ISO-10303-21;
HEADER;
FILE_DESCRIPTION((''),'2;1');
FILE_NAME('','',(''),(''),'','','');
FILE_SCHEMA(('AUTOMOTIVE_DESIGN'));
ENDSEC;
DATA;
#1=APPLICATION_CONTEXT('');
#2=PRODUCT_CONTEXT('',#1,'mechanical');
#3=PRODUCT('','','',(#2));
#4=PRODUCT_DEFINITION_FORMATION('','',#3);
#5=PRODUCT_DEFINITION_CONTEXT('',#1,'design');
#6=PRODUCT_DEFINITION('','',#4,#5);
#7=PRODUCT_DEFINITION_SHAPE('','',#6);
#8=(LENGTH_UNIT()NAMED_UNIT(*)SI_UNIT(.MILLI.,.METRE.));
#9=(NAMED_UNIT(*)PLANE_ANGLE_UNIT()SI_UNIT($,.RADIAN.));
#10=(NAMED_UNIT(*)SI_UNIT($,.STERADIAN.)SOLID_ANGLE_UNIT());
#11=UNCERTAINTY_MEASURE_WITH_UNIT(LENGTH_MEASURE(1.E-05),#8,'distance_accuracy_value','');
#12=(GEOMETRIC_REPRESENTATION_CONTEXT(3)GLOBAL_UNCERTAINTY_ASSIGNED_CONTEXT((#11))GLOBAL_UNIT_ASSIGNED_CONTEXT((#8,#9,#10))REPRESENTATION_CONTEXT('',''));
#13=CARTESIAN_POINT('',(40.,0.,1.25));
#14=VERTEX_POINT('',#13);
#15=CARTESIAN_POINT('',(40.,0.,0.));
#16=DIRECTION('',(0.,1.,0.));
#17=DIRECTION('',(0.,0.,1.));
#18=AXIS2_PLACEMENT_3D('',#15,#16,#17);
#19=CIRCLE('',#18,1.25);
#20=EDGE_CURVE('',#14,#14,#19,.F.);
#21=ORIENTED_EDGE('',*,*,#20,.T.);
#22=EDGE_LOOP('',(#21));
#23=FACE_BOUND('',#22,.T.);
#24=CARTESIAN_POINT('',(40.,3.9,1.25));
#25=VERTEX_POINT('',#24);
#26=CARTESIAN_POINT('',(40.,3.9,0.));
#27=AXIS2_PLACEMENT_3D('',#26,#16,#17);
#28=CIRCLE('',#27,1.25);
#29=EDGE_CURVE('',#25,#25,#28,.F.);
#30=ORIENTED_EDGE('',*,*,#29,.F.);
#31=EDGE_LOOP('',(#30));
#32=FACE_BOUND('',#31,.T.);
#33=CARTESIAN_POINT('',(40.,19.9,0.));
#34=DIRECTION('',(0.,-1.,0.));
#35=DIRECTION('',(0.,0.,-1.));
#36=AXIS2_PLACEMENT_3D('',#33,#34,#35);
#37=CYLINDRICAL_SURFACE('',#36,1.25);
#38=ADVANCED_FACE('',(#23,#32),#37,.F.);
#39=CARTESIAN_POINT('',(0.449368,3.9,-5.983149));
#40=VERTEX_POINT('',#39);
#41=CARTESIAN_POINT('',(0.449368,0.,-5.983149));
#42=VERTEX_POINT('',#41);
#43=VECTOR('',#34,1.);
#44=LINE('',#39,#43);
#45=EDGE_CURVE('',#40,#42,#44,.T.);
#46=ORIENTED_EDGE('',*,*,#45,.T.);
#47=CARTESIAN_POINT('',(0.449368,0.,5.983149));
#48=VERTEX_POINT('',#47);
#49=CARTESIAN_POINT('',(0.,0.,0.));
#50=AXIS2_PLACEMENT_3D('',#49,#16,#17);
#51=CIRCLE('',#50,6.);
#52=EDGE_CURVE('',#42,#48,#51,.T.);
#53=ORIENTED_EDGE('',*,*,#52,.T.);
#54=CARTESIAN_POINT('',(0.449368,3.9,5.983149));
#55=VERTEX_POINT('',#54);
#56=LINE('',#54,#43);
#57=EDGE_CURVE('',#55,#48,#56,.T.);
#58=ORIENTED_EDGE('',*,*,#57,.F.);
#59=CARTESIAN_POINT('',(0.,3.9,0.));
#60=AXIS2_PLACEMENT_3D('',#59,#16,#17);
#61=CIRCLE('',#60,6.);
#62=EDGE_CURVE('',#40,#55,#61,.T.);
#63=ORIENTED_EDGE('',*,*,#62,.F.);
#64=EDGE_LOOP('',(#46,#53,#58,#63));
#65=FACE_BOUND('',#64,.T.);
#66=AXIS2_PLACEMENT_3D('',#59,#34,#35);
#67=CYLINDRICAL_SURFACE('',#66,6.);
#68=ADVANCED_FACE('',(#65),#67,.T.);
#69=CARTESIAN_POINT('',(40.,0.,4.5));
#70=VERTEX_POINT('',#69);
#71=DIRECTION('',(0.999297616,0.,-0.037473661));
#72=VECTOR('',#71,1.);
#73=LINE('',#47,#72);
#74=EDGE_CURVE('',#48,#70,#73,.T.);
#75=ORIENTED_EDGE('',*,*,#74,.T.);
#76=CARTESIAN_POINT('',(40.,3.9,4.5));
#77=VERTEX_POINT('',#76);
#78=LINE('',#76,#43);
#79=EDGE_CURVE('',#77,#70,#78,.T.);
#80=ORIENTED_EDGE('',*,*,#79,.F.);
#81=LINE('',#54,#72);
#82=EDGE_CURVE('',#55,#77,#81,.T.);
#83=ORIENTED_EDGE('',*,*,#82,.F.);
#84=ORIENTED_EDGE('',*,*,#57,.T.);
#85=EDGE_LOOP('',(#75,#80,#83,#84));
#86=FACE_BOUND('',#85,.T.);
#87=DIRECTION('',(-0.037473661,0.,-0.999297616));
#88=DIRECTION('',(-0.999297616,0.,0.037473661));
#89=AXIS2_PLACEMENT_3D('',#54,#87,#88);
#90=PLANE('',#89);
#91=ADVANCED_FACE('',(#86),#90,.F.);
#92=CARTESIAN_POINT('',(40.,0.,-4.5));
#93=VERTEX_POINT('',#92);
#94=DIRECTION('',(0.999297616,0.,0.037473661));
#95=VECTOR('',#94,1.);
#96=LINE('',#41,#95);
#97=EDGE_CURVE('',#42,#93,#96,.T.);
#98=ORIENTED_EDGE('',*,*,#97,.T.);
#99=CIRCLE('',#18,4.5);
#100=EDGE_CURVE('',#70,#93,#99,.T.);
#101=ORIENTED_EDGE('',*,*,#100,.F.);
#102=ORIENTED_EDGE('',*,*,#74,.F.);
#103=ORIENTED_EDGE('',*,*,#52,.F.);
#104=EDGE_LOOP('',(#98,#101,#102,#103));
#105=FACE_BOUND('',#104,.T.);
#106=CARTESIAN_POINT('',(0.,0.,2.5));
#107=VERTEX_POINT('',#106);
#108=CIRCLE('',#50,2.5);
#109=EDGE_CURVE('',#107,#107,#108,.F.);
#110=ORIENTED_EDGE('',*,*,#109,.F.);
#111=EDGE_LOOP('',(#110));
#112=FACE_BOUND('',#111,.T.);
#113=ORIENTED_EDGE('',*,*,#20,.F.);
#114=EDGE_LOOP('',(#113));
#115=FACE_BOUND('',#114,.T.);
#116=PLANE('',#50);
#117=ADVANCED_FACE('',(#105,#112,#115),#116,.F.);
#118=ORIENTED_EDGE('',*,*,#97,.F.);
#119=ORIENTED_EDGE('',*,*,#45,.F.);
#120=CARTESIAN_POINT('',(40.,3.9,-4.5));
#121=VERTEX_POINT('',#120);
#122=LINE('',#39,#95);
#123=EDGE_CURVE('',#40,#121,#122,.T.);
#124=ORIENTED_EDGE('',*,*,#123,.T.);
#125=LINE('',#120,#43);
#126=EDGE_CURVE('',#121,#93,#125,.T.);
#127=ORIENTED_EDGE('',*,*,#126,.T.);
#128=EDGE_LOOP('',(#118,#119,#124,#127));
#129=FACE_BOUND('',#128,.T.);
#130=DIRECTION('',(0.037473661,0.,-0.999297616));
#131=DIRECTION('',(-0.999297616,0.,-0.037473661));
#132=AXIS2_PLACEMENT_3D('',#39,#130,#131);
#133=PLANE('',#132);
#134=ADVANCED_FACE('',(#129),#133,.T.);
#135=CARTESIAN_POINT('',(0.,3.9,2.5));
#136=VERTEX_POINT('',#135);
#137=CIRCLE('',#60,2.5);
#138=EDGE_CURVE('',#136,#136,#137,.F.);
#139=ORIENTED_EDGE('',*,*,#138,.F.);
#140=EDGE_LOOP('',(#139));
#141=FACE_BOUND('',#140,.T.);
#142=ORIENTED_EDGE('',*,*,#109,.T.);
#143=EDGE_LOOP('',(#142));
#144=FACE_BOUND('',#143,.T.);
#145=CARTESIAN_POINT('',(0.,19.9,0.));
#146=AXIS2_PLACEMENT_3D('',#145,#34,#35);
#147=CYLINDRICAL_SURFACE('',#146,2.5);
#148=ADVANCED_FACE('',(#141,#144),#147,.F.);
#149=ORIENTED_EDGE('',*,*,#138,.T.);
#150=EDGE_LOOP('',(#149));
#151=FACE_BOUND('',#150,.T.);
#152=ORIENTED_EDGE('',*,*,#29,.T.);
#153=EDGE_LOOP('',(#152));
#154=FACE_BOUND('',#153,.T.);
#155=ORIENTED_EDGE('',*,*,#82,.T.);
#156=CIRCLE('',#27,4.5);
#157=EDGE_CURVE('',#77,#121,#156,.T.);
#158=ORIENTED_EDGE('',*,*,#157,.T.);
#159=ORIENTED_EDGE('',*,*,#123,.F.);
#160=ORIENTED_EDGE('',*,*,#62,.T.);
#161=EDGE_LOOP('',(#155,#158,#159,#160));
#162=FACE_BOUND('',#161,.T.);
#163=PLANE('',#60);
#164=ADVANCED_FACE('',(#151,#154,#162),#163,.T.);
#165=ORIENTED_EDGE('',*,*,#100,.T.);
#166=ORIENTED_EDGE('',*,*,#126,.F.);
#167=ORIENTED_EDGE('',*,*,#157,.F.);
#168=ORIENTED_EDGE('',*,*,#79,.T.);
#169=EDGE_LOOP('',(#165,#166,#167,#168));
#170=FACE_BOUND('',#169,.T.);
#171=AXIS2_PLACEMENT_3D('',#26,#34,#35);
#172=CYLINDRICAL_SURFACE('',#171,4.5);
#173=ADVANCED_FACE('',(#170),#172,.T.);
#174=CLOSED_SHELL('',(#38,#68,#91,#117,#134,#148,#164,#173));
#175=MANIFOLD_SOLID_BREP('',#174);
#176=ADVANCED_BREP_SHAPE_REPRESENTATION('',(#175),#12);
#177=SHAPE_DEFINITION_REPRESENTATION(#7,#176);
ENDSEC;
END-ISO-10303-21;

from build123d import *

# Parameters (mm, degrees)
BOSS_EXTRUDE1_DEPTH     = 3.9
CUT_EXTRUDE1_DEPTH      = 16
CUT_EXTRUDE1_DEPTH_BACK = 10.5
SKETCH2_R               = 2.5
SKETCH2_R_2             = 1.25


with BuildPart() as part:
    # Sketch1 → Boss-Extrude1 (new body)
    with BuildSketch(Plane(origin=(0, 0, 0), x_dir=(1, 0, 0), z_dir=(0, 1, 0))):
        with BuildLine():
            Line((0.449368076, 5.983148697), (40, 4.5))
            ThreePointArc((40, 4.5), (44.5, 0), (40, -4.5))
            Line((40, -4.5), (0.449368076, -5.983148697))
            ThreePointArc((0.449368076, -5.983148697), (-6, 0), (0.449368076, 5.983148697))
        make_face()
    extrude(amount=BOSS_EXTRUDE1_DEPTH)

    # Sketch2 → Cut-Extrude1 (cut, two sides: drawn at the far end of the back side and taken through both)
    with BuildSketch(Plane(origin=(0, 3.9, 0), x_dir=(1, 0, 0), z_dir=(0, 1, 0)).offset(-CUT_EXTRUDE1_DEPTH_BACK)):
        with Locations(Location((0, 0, 0), (0, 0, 270))):
            Circle(SKETCH2_R)
        with Locations(Location((40, 0, 0), (0, 0, 270))):
            Circle(SKETCH2_R_2)
    extrude(amount=CUT_EXTRUDE1_DEPTH + CUT_EXTRUDE1_DEPTH_BACK, mode=Mode.SUBTRACT)


solid = part.part
